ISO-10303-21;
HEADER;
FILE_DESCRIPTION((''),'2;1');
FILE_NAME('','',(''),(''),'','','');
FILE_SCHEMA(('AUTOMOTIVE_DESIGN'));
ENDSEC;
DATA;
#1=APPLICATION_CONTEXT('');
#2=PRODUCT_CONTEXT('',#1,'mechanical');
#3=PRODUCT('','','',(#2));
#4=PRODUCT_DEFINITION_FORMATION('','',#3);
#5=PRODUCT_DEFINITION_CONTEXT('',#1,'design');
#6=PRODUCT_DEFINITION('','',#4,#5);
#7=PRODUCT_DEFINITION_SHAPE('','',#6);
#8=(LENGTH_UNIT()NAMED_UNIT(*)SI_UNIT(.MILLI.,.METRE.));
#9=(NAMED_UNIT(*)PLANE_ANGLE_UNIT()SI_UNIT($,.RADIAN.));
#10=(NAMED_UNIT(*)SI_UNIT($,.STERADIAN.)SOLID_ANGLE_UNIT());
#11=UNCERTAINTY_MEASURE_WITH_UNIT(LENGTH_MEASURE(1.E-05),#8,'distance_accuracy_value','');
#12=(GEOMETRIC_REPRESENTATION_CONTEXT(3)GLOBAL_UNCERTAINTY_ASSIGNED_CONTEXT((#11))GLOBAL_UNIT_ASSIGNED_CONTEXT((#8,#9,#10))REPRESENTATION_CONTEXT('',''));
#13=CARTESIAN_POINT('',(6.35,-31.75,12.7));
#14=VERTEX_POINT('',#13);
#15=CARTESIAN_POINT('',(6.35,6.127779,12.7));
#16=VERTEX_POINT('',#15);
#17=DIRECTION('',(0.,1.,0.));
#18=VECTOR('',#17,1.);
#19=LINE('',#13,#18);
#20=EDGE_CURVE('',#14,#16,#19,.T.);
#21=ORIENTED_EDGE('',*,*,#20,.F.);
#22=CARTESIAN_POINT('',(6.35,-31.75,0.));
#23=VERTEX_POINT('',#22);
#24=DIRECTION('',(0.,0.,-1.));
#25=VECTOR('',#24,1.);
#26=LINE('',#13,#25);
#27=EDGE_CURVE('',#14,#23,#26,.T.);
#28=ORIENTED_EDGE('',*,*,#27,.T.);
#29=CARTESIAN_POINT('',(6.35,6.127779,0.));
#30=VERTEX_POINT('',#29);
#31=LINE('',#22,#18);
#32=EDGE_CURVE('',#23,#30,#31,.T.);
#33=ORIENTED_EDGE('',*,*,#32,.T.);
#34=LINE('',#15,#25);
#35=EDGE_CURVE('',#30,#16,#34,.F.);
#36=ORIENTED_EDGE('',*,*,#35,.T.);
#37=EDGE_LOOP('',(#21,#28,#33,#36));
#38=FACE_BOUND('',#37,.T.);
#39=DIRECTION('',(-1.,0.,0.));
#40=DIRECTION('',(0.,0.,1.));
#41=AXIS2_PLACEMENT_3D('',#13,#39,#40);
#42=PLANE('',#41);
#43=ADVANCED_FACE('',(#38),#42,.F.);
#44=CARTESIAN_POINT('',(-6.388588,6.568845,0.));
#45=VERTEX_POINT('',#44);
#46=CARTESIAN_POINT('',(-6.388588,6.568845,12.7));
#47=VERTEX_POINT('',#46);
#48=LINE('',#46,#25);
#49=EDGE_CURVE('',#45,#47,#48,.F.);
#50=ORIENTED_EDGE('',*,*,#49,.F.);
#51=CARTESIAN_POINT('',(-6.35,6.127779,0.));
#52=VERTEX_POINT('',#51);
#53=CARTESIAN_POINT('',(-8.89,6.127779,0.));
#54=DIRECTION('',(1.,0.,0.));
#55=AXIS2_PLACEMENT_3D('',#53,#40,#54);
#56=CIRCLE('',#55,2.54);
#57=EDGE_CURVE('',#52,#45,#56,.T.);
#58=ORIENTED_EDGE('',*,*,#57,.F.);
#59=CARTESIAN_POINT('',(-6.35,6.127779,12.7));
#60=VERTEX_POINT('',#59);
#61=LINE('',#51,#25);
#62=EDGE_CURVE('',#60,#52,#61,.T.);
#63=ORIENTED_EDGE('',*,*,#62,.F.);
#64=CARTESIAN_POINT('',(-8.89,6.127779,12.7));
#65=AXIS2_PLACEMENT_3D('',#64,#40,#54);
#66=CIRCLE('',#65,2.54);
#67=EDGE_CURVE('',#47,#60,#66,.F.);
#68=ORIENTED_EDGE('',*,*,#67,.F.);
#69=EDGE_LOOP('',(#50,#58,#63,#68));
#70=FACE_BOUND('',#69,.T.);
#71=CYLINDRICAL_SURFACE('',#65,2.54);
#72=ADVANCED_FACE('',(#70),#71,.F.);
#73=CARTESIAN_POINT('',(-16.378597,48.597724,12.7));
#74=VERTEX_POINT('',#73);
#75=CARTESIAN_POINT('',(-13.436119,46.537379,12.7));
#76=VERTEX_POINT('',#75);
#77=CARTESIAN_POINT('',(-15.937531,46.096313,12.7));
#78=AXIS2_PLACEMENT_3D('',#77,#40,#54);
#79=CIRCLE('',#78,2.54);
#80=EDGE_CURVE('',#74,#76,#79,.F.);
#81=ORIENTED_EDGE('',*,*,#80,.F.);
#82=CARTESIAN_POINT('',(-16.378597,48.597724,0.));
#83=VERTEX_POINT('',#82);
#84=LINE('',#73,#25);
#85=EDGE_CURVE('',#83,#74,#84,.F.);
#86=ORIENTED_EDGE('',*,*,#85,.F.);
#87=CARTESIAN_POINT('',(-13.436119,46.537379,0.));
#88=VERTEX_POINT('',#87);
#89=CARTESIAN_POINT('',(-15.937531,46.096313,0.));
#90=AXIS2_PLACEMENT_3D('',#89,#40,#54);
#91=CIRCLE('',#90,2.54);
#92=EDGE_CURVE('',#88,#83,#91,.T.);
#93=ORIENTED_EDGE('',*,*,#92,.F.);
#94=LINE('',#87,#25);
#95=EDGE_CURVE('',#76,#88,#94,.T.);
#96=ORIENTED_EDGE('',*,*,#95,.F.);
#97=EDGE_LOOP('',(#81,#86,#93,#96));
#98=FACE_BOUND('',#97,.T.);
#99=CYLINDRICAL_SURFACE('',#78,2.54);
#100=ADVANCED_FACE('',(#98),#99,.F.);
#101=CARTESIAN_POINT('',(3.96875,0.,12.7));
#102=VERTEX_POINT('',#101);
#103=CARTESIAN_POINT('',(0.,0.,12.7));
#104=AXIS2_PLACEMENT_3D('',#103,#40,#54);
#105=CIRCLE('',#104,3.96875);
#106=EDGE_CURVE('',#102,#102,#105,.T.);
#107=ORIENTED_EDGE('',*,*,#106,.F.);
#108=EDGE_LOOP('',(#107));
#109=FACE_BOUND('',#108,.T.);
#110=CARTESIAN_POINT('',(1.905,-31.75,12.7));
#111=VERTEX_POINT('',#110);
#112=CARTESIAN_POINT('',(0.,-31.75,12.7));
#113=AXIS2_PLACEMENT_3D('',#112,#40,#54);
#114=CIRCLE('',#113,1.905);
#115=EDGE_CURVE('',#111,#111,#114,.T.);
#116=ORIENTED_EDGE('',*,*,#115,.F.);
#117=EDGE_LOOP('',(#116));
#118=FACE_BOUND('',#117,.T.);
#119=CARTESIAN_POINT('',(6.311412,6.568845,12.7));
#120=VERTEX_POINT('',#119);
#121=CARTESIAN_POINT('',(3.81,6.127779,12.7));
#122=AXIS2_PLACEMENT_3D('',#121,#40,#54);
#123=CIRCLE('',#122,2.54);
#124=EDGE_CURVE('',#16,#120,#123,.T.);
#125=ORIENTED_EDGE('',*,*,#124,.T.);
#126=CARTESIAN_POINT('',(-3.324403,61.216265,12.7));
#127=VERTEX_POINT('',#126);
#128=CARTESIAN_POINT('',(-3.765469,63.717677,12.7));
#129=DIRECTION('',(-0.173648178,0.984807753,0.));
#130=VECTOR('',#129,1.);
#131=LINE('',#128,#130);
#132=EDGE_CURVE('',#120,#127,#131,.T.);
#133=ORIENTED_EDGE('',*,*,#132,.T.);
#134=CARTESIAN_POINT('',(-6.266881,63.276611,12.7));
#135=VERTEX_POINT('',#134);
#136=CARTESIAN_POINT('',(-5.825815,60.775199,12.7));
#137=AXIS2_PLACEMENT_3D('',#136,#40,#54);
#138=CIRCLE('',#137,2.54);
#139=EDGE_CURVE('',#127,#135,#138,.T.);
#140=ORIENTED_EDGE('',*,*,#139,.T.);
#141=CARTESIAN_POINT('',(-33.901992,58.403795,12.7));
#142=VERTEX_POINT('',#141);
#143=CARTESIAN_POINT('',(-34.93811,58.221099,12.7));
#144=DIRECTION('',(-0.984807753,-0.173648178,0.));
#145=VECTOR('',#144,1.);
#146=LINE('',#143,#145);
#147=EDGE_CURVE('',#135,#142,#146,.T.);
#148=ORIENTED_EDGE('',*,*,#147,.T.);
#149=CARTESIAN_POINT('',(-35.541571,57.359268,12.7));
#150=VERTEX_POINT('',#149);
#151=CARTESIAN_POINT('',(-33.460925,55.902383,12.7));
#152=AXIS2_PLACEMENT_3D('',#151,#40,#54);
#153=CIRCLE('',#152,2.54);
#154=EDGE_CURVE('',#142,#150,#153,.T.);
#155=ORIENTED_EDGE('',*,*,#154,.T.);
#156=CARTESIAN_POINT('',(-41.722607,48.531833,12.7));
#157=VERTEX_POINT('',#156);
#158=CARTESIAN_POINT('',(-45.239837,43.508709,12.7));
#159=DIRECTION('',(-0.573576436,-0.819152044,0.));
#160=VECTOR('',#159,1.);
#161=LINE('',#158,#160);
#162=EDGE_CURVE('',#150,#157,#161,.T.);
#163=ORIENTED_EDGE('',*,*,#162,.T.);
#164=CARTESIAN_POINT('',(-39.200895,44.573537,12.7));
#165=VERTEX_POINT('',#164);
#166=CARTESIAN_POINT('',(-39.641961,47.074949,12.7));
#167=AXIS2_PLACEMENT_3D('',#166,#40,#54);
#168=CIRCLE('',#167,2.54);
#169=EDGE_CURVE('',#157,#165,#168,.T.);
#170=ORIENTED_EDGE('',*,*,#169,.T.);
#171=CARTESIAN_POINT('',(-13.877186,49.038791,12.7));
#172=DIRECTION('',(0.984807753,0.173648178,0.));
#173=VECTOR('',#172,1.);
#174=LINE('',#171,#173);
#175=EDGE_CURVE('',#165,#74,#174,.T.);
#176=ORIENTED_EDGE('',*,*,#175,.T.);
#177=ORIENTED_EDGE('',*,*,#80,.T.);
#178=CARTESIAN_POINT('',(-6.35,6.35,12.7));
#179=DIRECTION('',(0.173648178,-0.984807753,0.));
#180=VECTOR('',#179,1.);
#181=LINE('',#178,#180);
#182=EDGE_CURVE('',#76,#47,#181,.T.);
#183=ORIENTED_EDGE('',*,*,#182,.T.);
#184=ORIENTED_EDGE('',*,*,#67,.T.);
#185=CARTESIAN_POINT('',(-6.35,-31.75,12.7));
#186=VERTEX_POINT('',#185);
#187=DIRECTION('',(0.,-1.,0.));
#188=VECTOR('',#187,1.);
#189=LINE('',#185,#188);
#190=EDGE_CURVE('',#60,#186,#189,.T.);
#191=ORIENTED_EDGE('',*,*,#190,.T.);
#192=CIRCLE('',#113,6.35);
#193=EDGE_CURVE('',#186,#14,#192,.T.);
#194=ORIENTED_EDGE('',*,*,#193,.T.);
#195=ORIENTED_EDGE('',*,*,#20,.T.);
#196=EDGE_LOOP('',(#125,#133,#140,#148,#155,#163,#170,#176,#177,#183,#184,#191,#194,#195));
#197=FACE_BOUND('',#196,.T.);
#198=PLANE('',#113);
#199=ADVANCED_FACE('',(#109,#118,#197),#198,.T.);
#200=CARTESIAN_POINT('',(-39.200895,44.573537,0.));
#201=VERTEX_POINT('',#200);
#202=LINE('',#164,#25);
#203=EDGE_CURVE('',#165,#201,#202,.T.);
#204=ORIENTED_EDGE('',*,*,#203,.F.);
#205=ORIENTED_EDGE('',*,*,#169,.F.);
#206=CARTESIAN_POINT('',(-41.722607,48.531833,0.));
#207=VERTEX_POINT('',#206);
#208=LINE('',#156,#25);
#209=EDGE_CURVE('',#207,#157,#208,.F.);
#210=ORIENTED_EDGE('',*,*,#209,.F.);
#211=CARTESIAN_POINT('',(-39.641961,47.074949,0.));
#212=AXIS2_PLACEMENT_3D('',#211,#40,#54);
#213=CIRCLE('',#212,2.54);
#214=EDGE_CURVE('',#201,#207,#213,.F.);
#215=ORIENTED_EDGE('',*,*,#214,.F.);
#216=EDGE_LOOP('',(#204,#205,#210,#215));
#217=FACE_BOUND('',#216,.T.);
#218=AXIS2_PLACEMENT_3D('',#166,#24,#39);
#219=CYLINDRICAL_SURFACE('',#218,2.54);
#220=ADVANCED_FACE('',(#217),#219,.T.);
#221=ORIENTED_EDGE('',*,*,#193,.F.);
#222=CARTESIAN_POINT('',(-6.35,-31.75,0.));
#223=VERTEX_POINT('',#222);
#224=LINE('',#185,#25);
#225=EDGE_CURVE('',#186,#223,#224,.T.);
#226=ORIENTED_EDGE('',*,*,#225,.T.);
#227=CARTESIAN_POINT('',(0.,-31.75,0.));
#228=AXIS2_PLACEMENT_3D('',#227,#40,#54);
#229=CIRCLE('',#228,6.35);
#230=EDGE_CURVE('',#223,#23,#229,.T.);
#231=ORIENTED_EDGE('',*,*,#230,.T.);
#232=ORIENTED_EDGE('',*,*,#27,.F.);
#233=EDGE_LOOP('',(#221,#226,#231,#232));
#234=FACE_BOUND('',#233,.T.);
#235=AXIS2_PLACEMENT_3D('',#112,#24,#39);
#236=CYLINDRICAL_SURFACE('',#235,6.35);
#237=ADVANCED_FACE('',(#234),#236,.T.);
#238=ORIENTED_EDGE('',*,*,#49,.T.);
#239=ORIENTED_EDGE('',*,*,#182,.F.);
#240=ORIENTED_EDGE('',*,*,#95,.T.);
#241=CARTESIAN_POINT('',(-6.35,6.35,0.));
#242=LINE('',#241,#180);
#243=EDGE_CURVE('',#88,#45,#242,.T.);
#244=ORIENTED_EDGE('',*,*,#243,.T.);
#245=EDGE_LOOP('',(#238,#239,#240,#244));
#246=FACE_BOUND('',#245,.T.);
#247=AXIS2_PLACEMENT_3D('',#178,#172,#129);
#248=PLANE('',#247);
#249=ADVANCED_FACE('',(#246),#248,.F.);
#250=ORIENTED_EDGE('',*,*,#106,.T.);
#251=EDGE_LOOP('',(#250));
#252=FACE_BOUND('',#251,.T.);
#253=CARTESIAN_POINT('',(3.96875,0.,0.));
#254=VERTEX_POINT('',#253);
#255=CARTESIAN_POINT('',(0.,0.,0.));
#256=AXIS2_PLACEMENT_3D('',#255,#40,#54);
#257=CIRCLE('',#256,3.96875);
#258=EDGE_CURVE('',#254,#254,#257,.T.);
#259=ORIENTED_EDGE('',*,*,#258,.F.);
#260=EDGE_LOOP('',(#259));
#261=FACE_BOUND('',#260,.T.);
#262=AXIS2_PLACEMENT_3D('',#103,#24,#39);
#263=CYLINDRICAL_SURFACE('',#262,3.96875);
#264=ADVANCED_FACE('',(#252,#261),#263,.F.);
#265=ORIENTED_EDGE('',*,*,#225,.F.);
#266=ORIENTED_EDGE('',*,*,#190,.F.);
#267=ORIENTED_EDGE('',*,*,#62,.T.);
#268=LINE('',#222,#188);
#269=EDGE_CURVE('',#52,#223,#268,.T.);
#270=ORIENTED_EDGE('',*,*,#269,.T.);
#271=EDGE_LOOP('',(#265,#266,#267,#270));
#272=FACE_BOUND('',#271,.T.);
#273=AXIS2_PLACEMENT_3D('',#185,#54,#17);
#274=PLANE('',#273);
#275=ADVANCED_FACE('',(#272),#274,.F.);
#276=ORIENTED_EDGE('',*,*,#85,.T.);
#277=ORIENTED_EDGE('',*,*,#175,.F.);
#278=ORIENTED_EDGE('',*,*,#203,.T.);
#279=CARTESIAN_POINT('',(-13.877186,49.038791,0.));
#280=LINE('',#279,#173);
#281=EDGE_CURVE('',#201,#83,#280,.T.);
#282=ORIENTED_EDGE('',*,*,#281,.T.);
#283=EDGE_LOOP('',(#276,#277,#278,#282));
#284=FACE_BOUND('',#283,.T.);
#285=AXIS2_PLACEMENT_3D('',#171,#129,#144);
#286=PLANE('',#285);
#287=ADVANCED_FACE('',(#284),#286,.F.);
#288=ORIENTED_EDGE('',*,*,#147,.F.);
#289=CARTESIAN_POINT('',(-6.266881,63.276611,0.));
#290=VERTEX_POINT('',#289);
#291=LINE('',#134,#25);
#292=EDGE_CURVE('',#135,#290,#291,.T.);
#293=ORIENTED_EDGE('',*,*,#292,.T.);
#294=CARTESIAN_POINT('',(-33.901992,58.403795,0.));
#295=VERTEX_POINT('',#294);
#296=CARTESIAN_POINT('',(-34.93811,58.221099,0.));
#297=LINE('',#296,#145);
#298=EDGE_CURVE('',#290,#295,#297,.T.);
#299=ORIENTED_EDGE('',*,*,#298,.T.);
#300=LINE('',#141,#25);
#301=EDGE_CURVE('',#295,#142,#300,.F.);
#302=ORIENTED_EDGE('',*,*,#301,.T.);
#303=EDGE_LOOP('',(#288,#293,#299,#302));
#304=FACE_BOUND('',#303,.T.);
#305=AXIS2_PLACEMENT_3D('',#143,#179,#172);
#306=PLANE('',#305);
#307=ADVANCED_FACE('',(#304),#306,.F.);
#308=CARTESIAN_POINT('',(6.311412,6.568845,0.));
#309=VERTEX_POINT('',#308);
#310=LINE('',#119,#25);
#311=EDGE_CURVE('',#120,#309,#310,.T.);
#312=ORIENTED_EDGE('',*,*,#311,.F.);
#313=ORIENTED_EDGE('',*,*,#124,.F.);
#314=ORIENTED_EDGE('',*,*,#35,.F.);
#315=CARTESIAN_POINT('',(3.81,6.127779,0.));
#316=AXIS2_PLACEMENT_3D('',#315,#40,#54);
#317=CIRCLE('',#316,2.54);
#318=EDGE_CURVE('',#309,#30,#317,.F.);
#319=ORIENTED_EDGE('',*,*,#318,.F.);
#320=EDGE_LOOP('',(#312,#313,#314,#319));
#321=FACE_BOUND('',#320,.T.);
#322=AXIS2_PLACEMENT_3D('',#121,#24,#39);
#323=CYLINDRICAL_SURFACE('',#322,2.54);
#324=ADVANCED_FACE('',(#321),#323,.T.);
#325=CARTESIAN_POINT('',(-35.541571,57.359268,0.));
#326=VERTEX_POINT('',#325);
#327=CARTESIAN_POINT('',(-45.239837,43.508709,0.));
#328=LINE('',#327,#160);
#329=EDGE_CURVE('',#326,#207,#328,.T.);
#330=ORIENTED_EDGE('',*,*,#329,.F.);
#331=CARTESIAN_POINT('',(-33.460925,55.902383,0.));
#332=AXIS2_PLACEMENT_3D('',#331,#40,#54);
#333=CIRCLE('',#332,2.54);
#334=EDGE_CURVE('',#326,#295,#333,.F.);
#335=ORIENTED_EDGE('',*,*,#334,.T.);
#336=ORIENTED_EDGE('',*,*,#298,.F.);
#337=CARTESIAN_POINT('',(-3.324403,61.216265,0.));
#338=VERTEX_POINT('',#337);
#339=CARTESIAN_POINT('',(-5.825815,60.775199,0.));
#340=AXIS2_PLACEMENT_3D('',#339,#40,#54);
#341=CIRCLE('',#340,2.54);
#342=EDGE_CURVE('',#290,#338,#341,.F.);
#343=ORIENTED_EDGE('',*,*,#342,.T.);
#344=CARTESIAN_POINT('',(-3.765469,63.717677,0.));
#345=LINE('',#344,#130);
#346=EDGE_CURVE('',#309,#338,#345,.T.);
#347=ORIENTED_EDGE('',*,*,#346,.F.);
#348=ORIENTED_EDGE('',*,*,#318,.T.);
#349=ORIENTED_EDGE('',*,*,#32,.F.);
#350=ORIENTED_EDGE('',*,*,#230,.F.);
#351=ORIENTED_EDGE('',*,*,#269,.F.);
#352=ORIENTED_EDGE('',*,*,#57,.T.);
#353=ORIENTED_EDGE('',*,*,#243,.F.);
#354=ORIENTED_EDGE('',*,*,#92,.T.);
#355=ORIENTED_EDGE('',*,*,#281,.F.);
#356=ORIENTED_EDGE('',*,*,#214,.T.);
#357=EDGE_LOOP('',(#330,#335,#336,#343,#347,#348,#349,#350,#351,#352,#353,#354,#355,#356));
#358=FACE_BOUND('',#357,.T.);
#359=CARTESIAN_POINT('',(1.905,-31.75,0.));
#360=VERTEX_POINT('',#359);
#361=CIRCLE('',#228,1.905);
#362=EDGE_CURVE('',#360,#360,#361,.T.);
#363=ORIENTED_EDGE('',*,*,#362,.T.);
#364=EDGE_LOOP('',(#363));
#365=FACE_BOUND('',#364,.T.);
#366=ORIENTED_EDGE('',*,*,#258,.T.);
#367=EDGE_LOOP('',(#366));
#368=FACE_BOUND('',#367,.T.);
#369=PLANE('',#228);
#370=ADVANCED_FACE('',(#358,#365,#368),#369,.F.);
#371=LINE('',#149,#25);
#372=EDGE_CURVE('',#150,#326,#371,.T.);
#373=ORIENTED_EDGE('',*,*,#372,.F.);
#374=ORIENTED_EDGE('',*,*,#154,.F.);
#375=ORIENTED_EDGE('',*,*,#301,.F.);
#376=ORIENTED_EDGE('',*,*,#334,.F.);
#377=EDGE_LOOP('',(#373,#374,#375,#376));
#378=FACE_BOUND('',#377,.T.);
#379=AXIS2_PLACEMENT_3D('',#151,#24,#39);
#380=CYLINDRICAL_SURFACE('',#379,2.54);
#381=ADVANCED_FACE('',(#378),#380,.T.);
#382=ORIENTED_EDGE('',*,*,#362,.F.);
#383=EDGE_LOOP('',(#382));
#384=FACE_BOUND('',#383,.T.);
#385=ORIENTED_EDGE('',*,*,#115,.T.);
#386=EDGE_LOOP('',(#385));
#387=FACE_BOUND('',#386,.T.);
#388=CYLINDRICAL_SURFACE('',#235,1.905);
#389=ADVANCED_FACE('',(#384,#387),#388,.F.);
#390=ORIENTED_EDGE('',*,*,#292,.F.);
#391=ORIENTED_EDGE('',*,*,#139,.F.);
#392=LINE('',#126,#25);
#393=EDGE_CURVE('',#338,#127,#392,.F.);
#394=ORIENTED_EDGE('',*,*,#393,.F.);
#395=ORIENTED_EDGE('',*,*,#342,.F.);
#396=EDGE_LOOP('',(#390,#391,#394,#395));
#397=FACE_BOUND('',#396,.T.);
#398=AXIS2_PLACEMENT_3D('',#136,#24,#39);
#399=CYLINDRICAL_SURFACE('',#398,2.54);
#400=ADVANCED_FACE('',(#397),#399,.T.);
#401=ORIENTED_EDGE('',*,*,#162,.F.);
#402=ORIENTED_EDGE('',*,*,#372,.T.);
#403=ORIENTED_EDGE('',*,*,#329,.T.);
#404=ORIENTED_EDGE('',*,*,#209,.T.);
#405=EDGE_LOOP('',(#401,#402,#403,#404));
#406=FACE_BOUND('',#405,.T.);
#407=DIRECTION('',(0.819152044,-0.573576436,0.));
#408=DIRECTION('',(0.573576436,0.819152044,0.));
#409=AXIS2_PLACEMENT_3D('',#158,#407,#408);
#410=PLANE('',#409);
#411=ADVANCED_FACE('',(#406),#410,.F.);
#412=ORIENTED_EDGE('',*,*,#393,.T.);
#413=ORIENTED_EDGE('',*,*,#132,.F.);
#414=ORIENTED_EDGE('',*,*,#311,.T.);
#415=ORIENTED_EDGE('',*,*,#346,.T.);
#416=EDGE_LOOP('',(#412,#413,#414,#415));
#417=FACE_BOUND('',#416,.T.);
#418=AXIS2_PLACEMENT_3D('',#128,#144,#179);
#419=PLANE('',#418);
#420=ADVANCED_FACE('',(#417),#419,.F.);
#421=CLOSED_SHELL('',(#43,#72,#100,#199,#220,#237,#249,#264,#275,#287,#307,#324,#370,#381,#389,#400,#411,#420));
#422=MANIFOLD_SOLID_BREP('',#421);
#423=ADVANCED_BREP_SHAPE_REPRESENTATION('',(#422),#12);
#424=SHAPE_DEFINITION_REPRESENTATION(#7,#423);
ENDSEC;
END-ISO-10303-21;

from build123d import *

# Parameters (mm, degrees)
SKETCH1_R           = 3.96875
SKETCH1_R_2         = 1.905
BOSS_EXTRUDE1_DEPTH = 12.7
FILLET1_R           = 2.54


with BuildPart() as part:
    # Sketch1 → Boss-Extrude1 (new body)
    with BuildSketch(Plane.XY):
        with BuildLine():
            Line((-6.35, -31.75), (-6.35, 6.35))
            Line((-6.35, 6.35), (-13.877185568, 49.038790666))
            Line((-13.877185568, 49.038790666), (-45.239836887, 43.508709052))
            Line((-45.239836887, 43.508709052), (-34.93811028, 58.221099372))
            Line((-34.93811028, 58.221099372), (-3.765469283, 63.71767704))
            Line((-3.765469283, 63.71767704), (6.35, 6.35))
            Line((6.35, 6.35), (6.35, -31.75))
            ThreePointArc((6.35, -31.75), (0, -38.1), (-6.35, -31.75))
        make_face()
        Circle(SKETCH1_R, mode=Mode.SUBTRACT)
        with Locations((0, -31.75)):
            Circle(SKETCH1_R_2, mode=Mode.SUBTRACT)
    extrude(amount=BOSS_EXTRUDE1_DEPTH)

    # Fillet1
    fillet1_edges = [part.edges().sort_by_distance(p)[0] for p in [
        (-6.35, 6.35, 6.35),
        (-13.877185568, 49.038790666, 6.35),
        (-45.239836887, 43.508709052, 6.35),
        (-34.93811028, 58.221099372, 6.35),
        (-3.765469283, 63.71767704, 6.35),
        (6.35, 6.35, 6.35),
    ]]
    fillet(fillet1_edges, radius=FILLET1_R)


solid = part.part
